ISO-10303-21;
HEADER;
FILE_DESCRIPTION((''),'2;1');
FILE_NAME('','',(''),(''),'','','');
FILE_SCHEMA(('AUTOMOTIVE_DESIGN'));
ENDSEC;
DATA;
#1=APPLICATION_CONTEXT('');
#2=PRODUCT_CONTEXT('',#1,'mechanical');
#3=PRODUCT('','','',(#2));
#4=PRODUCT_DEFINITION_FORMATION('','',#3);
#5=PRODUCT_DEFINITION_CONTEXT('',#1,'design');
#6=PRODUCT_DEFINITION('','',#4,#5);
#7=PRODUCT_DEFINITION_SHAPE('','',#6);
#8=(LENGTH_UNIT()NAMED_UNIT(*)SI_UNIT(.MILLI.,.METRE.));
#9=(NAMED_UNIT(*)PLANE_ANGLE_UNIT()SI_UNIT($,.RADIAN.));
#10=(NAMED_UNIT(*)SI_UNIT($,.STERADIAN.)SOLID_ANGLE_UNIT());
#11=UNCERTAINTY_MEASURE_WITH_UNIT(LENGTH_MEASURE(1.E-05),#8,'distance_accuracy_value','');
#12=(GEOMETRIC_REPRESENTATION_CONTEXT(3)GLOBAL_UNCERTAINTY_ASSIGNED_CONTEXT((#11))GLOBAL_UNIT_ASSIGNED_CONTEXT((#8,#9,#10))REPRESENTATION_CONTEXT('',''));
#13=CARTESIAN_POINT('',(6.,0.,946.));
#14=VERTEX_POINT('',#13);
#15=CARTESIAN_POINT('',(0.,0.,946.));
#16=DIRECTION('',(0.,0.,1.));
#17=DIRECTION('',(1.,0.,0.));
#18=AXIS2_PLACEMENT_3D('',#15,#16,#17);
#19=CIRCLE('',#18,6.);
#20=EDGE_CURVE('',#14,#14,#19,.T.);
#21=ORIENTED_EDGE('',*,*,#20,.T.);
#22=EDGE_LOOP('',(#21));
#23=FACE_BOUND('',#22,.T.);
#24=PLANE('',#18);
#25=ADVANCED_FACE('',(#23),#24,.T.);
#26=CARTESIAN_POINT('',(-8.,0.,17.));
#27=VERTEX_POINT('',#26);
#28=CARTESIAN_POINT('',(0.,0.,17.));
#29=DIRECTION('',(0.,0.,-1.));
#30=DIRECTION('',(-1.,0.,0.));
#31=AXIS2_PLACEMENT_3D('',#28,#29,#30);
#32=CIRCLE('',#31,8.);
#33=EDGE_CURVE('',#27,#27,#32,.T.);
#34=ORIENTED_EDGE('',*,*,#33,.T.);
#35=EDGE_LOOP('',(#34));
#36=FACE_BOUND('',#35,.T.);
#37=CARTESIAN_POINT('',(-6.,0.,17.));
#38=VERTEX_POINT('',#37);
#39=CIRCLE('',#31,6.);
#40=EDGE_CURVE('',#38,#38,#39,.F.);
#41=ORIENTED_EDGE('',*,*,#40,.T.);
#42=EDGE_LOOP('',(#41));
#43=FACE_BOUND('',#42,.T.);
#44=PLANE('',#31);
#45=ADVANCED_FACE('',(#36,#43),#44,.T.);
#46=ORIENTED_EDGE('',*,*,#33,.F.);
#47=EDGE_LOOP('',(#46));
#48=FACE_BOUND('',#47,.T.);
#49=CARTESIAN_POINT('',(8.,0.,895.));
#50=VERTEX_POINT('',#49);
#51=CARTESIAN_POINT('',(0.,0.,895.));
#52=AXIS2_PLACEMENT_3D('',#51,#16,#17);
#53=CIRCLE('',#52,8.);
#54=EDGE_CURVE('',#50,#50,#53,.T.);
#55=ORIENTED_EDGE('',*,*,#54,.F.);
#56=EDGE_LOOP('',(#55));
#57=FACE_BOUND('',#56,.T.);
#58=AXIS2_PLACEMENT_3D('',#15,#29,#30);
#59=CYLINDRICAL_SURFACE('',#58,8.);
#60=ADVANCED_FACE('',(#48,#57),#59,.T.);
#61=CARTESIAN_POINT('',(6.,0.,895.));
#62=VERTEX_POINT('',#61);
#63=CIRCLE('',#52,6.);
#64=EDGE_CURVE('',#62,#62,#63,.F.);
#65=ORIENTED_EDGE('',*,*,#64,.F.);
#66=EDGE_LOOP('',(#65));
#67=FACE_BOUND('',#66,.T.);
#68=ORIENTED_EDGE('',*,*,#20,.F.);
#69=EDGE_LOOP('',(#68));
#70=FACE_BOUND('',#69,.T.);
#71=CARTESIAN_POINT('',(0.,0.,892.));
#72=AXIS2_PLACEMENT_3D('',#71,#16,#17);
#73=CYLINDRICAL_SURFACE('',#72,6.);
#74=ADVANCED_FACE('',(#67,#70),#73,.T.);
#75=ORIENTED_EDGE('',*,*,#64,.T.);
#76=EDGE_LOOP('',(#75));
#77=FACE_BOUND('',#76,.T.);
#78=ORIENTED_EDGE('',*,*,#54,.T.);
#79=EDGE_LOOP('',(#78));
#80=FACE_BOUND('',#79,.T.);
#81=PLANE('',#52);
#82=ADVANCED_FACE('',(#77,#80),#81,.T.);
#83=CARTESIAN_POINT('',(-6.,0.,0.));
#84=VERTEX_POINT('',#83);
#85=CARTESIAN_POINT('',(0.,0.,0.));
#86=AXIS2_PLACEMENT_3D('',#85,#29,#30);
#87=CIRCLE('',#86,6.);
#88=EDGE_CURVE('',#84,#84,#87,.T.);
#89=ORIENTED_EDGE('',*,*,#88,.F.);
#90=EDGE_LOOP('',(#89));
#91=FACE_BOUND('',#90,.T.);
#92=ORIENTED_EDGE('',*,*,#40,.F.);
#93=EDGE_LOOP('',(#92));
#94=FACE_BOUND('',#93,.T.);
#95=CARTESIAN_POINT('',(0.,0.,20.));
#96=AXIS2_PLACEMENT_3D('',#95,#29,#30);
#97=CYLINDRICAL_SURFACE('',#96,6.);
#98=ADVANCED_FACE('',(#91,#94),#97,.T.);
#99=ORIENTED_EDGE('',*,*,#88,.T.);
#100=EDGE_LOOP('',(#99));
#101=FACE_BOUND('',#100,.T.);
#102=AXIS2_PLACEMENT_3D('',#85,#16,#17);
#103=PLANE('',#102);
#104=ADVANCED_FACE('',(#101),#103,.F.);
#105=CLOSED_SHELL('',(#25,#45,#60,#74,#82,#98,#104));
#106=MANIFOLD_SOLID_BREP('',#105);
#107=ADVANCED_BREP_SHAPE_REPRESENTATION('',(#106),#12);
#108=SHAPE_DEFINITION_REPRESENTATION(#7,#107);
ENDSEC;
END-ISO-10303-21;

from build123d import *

# Parameters (mm, degrees)
SKETCH1_R          = 8
EXTRUDE1_DEPTH     = 946
SKETCH3_R          = 8
SKETCH3_R_2        = 6
CUT_EXTRUDE1_DEPTH = 54
SKETCH4_R          = 8
SKETCH4_R_2        = 6
CUT_EXTRUDE2_DEPTH = 20
SKETCH5_R          = 8
SKETCH5_R_2        = 6
EXTRUDE2_DEPTH     = 3
SKETCH6_R          = 8
SKETCH6_R_2        = 6
EXTRUDE3_DEPTH     = 3


with BuildPart() as part:
    # Sketch1 → Extrude1 (new body)
    with BuildSketch(Plane.XY):
        Circle(SKETCH1_R)
    extrude(amount=EXTRUDE1_DEPTH)

    # Sketch3 → Cut-Extrude1 (cut)
    with BuildSketch(Plane.XY.offset(946)):
        Circle(SKETCH3_R)
        Circle(SKETCH3_R_2, mode=Mode.SUBTRACT)
    extrude(amount=-CUT_EXTRUDE1_DEPTH, mode=Mode.SUBTRACT)

    # Sketch4 → Cut-Extrude2 (cut)
    with BuildSketch(Plane(origin=(0, 0, 0), x_dir=(-1, 0, 0), z_dir=(0, 0, -1))):
        Circle(SKETCH4_R)
        Circle(SKETCH4_R_2, mode=Mode.SUBTRACT)
    extrude(amount=-CUT_EXTRUDE2_DEPTH, mode=Mode.SUBTRACT)

    # Sketch5 → Extrude2 (add)
    with BuildSketch(Plane(origin=(0, 0, 20), x_dir=(-1, 0, 0), z_dir=(0, 0, -1))):
        Circle(SKETCH5_R)
        Circle(SKETCH5_R_2, mode=Mode.SUBTRACT)
    extrude(amount=EXTRUDE2_DEPTH)

    # Sketch6 → Extrude3 (add)
    with BuildSketch(Plane.XY.offset(892)):
        Circle(SKETCH6_R)
        Circle(SKETCH6_R_2, mode=Mode.SUBTRACT)
    extrude(amount=EXTRUDE3_DEPTH)


solid = part.part
